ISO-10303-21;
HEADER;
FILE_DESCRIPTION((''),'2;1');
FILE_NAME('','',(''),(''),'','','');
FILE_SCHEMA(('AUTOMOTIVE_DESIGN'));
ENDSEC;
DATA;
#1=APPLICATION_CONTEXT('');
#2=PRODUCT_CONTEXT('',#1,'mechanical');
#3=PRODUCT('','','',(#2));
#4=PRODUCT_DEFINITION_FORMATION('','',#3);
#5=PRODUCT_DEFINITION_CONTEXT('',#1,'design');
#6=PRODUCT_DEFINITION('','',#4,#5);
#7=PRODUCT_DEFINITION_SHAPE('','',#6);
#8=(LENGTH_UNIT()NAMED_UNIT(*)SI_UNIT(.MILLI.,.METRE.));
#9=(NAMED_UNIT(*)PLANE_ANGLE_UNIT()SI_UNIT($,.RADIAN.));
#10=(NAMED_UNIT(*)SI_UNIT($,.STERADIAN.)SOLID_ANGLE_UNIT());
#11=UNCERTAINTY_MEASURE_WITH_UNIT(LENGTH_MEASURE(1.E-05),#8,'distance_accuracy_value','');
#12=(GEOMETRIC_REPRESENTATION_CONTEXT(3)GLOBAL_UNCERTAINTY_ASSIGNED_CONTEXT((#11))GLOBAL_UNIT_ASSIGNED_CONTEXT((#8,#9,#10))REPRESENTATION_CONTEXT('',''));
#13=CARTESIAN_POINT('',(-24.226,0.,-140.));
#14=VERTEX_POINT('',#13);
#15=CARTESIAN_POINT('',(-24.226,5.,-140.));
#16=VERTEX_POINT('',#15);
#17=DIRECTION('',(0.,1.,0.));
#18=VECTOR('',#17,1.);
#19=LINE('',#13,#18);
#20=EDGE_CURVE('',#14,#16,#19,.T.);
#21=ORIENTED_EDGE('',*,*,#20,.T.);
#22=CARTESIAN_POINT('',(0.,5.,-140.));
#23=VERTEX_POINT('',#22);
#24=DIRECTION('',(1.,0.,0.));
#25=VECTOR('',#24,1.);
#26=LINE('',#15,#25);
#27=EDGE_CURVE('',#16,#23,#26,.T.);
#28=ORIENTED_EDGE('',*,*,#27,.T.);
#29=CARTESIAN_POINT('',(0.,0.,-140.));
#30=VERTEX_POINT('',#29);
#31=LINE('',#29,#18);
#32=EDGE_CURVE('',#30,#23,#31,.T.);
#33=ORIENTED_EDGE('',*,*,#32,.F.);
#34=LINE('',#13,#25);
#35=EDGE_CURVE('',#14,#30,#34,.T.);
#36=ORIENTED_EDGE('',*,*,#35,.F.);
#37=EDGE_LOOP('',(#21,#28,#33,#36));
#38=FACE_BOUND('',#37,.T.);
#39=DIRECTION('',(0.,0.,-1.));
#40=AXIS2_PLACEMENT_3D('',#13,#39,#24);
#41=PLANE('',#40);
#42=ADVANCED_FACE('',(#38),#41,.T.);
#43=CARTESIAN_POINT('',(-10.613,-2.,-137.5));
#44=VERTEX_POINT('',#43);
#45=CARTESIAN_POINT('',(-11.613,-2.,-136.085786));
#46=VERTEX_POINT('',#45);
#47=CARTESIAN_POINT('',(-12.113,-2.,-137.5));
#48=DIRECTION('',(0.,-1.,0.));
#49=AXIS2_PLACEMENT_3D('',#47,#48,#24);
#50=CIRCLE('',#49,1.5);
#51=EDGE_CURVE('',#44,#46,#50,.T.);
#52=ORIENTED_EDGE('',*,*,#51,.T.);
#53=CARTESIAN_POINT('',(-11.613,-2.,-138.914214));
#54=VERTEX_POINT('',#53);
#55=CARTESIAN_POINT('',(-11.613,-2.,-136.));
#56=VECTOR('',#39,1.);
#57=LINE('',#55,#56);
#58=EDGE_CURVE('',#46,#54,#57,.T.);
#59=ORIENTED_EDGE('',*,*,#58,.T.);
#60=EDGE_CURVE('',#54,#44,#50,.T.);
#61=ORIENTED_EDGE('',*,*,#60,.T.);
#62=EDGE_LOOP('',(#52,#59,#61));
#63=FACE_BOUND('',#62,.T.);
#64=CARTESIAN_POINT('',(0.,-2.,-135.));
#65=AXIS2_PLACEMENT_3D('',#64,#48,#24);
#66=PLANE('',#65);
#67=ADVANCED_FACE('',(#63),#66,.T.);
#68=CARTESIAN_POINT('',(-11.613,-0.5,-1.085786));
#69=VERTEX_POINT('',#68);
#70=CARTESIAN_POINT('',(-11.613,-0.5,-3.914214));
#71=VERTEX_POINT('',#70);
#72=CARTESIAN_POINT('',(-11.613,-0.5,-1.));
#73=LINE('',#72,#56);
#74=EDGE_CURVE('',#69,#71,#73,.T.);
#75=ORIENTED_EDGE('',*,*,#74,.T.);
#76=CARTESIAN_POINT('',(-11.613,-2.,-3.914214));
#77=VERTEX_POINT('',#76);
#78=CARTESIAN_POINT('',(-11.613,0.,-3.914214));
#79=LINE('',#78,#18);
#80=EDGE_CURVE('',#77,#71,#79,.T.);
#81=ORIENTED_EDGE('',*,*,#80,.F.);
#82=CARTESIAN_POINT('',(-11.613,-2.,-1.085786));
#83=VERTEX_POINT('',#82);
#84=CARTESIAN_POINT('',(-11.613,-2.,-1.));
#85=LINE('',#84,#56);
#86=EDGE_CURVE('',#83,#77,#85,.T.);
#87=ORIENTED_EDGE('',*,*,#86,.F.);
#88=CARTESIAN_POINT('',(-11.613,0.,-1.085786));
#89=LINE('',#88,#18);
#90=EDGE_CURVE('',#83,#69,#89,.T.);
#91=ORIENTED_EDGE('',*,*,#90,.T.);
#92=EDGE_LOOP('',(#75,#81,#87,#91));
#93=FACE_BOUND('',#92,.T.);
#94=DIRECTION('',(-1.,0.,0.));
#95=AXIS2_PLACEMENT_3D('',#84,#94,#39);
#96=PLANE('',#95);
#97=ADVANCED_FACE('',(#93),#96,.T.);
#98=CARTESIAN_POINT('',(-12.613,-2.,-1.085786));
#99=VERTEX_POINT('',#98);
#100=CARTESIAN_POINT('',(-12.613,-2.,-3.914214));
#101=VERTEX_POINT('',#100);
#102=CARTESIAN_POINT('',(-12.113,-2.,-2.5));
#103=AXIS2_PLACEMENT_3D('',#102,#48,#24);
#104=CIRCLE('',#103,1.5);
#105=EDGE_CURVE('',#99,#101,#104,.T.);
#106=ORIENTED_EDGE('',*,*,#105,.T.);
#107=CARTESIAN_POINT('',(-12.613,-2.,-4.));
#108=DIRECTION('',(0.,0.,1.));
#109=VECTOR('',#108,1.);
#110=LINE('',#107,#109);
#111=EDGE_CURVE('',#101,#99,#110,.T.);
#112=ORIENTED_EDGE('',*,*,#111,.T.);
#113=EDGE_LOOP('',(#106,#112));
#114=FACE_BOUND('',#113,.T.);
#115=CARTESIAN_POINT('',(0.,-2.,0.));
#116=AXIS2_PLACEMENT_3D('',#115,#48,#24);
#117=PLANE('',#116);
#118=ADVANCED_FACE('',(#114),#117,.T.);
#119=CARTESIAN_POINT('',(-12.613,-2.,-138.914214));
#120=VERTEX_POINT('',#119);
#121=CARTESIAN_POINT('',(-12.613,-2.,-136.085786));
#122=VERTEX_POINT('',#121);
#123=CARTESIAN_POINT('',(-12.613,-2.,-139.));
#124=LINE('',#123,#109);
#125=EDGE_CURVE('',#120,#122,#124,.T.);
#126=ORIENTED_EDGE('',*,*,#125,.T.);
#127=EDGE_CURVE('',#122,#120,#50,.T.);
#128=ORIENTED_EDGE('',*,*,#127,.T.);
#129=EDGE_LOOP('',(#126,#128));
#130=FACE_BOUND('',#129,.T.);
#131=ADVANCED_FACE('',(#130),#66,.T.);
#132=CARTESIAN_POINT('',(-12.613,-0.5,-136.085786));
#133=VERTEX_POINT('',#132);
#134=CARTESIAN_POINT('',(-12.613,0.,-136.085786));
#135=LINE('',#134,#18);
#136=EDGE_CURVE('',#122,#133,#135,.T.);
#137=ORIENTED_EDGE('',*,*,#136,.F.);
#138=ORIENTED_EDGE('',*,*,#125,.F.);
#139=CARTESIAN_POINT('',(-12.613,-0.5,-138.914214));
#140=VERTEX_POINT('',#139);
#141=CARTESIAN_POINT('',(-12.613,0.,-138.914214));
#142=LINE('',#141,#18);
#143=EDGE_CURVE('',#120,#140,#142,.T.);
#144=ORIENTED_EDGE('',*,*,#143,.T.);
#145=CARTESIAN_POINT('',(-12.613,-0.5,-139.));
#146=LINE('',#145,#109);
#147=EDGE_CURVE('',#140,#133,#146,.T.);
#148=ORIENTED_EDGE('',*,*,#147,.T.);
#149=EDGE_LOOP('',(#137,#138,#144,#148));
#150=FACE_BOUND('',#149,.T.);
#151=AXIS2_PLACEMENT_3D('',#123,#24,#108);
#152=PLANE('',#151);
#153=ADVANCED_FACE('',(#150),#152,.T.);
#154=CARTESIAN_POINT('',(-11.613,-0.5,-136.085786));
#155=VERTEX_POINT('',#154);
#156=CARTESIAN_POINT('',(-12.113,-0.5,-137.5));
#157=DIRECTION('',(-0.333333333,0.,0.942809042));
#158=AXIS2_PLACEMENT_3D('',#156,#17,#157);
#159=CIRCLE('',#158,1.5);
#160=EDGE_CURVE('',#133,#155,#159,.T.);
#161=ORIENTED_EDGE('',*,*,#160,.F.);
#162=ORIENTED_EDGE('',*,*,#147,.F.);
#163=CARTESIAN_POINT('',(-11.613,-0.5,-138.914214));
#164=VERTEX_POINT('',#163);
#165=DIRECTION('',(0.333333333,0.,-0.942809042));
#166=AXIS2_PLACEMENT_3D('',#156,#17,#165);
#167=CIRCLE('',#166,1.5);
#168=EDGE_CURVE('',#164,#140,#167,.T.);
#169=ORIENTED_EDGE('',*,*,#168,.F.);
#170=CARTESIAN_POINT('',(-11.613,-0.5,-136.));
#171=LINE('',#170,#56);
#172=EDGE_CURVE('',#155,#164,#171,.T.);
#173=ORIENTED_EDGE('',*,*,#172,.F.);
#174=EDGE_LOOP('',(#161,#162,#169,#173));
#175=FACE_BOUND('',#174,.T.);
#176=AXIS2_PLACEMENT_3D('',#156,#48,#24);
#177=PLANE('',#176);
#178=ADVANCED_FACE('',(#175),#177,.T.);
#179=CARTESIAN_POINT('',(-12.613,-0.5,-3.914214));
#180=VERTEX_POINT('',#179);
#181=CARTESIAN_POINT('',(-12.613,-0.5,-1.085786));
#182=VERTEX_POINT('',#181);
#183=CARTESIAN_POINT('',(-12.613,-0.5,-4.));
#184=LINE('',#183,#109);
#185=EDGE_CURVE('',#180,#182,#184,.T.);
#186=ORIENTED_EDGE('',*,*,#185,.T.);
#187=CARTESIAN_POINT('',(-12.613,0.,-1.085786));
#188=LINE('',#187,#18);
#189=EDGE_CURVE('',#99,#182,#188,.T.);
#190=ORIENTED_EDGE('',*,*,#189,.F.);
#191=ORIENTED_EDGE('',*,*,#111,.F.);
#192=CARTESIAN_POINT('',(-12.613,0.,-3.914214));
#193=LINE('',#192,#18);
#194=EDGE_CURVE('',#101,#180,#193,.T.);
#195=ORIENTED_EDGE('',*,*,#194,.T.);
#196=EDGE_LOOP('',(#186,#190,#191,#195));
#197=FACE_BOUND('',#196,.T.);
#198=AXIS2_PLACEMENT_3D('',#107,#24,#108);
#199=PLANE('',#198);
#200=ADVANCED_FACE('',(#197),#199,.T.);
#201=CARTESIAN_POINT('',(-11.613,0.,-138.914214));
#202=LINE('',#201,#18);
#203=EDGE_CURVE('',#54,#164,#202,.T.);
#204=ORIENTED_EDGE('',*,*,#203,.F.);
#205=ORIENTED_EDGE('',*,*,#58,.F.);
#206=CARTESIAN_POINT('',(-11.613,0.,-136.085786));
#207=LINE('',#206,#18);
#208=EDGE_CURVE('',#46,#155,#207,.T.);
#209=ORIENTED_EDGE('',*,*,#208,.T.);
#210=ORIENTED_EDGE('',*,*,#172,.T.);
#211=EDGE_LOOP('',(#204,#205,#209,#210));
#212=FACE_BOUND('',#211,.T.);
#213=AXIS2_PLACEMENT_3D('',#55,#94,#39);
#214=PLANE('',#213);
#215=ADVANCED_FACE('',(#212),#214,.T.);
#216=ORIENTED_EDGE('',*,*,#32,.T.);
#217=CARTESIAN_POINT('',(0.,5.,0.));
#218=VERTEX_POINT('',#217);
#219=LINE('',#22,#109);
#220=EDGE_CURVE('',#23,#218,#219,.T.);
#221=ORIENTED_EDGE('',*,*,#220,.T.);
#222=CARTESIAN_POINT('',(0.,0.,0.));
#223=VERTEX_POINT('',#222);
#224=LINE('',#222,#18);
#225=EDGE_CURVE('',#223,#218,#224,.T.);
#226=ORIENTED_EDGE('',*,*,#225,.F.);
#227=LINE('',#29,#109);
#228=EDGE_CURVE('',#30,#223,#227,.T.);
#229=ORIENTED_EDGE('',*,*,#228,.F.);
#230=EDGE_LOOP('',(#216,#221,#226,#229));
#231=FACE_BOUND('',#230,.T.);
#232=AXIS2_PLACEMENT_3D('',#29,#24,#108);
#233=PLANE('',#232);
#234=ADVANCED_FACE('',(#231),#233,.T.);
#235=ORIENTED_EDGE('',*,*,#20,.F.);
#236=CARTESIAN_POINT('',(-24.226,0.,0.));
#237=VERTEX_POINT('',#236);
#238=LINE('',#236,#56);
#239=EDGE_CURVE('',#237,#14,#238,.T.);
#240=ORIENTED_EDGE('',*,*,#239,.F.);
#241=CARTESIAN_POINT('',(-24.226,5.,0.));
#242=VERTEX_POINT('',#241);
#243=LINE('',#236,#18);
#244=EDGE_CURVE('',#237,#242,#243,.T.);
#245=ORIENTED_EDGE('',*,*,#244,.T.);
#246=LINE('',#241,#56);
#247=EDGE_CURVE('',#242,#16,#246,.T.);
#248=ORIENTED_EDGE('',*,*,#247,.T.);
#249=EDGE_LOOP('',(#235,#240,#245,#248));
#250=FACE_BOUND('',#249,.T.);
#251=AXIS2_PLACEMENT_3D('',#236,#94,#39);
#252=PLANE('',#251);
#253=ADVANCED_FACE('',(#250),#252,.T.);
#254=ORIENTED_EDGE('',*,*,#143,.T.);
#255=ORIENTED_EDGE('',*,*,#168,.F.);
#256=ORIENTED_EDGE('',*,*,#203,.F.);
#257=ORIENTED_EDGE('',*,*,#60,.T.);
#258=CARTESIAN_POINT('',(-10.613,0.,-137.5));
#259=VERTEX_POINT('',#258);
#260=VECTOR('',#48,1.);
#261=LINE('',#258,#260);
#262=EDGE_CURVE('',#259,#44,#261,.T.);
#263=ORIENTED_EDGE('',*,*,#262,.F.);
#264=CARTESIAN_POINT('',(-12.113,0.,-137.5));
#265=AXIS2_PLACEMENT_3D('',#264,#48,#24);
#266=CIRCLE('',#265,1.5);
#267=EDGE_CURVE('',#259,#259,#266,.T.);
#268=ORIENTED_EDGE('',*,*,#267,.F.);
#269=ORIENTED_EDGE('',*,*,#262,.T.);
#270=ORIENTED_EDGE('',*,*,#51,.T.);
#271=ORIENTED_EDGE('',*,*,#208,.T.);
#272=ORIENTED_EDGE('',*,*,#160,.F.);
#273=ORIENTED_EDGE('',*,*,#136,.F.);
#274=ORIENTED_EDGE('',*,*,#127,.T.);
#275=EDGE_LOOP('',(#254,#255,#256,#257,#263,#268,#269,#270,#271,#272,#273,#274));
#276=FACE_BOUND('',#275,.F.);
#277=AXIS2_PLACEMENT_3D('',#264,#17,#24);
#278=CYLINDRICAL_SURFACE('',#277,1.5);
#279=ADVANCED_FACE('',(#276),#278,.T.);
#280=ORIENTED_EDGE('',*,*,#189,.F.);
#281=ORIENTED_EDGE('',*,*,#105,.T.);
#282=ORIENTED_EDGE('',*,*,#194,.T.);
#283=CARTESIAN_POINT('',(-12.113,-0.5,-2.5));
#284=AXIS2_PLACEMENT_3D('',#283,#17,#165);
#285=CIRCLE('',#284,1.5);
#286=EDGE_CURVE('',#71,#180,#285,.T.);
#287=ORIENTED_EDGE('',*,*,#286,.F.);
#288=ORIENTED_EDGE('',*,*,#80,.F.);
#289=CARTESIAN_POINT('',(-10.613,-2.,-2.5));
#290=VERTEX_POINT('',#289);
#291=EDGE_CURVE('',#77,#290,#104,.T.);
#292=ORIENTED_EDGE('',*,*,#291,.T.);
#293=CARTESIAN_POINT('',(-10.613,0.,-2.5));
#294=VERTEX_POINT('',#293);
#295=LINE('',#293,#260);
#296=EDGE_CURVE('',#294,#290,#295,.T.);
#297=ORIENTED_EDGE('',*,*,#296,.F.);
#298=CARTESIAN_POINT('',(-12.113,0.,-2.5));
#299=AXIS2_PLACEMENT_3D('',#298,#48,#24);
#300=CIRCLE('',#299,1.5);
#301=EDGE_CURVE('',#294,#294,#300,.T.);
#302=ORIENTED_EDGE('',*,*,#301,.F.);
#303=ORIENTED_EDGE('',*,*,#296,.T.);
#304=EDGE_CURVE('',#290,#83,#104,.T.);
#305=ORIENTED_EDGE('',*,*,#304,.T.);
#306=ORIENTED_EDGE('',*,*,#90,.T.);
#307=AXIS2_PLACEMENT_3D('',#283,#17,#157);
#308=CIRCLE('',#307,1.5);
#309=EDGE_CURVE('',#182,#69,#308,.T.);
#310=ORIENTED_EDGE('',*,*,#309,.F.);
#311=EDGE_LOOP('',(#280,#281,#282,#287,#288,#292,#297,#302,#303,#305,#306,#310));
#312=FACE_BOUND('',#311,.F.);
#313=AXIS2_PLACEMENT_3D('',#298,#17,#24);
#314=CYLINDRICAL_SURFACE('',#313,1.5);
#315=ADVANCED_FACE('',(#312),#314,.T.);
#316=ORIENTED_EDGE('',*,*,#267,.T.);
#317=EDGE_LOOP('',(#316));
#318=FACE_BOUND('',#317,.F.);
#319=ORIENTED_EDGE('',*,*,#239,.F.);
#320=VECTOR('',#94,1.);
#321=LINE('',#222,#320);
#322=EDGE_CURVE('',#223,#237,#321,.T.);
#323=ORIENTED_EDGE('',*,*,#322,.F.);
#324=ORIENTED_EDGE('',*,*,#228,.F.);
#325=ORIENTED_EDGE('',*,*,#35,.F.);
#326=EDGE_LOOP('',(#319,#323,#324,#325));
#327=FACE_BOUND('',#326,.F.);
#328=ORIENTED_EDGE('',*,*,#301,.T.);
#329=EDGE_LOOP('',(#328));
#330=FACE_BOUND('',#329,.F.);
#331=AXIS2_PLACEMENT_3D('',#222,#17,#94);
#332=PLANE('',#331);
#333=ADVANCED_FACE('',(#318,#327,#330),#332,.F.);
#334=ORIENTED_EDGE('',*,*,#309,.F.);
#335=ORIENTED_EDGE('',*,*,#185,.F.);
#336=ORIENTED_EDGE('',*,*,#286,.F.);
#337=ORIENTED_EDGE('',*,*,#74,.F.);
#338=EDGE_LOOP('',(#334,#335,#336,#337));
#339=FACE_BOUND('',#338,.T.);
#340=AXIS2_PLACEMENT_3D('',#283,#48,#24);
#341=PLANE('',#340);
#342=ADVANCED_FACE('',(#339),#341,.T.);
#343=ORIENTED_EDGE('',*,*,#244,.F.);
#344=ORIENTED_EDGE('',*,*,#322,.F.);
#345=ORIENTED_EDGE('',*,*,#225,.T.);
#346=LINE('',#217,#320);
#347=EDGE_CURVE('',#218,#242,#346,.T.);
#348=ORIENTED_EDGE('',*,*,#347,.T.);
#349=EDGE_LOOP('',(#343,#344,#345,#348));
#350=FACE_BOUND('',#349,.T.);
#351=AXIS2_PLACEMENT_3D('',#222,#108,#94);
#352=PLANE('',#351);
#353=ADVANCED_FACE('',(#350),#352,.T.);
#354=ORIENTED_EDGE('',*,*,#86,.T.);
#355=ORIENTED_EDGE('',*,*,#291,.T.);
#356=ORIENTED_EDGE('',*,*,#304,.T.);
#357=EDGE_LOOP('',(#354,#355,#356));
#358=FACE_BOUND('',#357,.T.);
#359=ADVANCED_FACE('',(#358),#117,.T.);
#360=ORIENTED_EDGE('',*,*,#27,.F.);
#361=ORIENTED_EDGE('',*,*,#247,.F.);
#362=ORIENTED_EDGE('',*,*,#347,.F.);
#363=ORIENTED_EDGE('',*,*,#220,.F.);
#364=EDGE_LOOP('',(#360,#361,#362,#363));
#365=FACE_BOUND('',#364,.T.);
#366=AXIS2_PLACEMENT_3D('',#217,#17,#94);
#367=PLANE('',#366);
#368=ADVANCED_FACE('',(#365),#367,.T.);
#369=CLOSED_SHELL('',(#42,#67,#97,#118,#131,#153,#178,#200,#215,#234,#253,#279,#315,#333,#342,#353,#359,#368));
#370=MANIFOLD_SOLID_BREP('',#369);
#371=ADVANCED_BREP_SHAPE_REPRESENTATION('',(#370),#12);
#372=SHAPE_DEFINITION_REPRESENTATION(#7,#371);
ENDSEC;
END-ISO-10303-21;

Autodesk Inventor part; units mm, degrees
ref_plane "YZ Plane" through (0, 0, 0) normal (1, 0, 0) x (0, 1, 0)
ref_plane "XZ Plane" through (0, 0, 0) normal (0, 1, 0) x (-1, 0, 0)
ref_plane "XY Plane" through (0, 0, 0) normal (0, 0, 1) x (1, 0, 0)
sketch "Sketch1" plane through (0, 0, 0) normal (0, 1, 0) x (-1, 0, 0)
  line L0 (0, 0) -> (24.226, 0)
  line L1 (24.226, 0) -> (24.226, -140)
  line L2 (24.226, -140) -> (0, -140)
  line L3 (0, -140) -> (0, 0)
  dimension "d0" = 24.226
  dimension "d1" = 140
extrude "Extrusion1" add sketch "Sketch1" along normal blind 5
sketch "Sketch2" plane through (0, 5, 0) normal (0, 1, 0) x (1, 0, 0)
  point P0 (0, 0)
sketch "Sketch3" plane through (0, 0, 0) normal (0, -1, 0) x (1, 0, 0)
  circle A0 centre (-12.113, -2.5) radius 1.5
  point P0 (0, 0)
  dimension "d4" = 3
extrude "Extrusion2" add sketch "Sketch3" along normal blind 2
sketch "Sketch4" plane through (0, 0, 0) normal (0, -1, 0) x (1, 0, 0)
  point P0 (0, 0)
sketch "Sketch5" plane through (-12.113, -2, -2.5) normal (0, -1, 0) x (1, 0, 0)
  line L0 (-0.5, 1.5) -> (0.5, 1.5)
  line L1 (0.5, 1.5) -> (0.5, -1.5)
  line L2 (0.5, -1.5) -> (-0.5, -1.5)
  line L3 (-0.5, -1.5) -> (-0.5, 1.5)
  line L4 (-0.5, 1.5) -> (0.5, -1.5) construction
  line L5 (0.5, 1.5) -> (-0.5, -1.5) construction
  point P0 (12.113, 2.5)
  point P1 (0, 0)
  dimension "d7" = 1
extrude "Extrusion3" cut sketch "Sketch5" against normal blind 1.5
pattern_linear "Rectangular Pattern1" count 2 spacing 135 along (0, 0, -1) of "Extrusion2", "Extrusion3"
properties part number "part 2 upper part"
